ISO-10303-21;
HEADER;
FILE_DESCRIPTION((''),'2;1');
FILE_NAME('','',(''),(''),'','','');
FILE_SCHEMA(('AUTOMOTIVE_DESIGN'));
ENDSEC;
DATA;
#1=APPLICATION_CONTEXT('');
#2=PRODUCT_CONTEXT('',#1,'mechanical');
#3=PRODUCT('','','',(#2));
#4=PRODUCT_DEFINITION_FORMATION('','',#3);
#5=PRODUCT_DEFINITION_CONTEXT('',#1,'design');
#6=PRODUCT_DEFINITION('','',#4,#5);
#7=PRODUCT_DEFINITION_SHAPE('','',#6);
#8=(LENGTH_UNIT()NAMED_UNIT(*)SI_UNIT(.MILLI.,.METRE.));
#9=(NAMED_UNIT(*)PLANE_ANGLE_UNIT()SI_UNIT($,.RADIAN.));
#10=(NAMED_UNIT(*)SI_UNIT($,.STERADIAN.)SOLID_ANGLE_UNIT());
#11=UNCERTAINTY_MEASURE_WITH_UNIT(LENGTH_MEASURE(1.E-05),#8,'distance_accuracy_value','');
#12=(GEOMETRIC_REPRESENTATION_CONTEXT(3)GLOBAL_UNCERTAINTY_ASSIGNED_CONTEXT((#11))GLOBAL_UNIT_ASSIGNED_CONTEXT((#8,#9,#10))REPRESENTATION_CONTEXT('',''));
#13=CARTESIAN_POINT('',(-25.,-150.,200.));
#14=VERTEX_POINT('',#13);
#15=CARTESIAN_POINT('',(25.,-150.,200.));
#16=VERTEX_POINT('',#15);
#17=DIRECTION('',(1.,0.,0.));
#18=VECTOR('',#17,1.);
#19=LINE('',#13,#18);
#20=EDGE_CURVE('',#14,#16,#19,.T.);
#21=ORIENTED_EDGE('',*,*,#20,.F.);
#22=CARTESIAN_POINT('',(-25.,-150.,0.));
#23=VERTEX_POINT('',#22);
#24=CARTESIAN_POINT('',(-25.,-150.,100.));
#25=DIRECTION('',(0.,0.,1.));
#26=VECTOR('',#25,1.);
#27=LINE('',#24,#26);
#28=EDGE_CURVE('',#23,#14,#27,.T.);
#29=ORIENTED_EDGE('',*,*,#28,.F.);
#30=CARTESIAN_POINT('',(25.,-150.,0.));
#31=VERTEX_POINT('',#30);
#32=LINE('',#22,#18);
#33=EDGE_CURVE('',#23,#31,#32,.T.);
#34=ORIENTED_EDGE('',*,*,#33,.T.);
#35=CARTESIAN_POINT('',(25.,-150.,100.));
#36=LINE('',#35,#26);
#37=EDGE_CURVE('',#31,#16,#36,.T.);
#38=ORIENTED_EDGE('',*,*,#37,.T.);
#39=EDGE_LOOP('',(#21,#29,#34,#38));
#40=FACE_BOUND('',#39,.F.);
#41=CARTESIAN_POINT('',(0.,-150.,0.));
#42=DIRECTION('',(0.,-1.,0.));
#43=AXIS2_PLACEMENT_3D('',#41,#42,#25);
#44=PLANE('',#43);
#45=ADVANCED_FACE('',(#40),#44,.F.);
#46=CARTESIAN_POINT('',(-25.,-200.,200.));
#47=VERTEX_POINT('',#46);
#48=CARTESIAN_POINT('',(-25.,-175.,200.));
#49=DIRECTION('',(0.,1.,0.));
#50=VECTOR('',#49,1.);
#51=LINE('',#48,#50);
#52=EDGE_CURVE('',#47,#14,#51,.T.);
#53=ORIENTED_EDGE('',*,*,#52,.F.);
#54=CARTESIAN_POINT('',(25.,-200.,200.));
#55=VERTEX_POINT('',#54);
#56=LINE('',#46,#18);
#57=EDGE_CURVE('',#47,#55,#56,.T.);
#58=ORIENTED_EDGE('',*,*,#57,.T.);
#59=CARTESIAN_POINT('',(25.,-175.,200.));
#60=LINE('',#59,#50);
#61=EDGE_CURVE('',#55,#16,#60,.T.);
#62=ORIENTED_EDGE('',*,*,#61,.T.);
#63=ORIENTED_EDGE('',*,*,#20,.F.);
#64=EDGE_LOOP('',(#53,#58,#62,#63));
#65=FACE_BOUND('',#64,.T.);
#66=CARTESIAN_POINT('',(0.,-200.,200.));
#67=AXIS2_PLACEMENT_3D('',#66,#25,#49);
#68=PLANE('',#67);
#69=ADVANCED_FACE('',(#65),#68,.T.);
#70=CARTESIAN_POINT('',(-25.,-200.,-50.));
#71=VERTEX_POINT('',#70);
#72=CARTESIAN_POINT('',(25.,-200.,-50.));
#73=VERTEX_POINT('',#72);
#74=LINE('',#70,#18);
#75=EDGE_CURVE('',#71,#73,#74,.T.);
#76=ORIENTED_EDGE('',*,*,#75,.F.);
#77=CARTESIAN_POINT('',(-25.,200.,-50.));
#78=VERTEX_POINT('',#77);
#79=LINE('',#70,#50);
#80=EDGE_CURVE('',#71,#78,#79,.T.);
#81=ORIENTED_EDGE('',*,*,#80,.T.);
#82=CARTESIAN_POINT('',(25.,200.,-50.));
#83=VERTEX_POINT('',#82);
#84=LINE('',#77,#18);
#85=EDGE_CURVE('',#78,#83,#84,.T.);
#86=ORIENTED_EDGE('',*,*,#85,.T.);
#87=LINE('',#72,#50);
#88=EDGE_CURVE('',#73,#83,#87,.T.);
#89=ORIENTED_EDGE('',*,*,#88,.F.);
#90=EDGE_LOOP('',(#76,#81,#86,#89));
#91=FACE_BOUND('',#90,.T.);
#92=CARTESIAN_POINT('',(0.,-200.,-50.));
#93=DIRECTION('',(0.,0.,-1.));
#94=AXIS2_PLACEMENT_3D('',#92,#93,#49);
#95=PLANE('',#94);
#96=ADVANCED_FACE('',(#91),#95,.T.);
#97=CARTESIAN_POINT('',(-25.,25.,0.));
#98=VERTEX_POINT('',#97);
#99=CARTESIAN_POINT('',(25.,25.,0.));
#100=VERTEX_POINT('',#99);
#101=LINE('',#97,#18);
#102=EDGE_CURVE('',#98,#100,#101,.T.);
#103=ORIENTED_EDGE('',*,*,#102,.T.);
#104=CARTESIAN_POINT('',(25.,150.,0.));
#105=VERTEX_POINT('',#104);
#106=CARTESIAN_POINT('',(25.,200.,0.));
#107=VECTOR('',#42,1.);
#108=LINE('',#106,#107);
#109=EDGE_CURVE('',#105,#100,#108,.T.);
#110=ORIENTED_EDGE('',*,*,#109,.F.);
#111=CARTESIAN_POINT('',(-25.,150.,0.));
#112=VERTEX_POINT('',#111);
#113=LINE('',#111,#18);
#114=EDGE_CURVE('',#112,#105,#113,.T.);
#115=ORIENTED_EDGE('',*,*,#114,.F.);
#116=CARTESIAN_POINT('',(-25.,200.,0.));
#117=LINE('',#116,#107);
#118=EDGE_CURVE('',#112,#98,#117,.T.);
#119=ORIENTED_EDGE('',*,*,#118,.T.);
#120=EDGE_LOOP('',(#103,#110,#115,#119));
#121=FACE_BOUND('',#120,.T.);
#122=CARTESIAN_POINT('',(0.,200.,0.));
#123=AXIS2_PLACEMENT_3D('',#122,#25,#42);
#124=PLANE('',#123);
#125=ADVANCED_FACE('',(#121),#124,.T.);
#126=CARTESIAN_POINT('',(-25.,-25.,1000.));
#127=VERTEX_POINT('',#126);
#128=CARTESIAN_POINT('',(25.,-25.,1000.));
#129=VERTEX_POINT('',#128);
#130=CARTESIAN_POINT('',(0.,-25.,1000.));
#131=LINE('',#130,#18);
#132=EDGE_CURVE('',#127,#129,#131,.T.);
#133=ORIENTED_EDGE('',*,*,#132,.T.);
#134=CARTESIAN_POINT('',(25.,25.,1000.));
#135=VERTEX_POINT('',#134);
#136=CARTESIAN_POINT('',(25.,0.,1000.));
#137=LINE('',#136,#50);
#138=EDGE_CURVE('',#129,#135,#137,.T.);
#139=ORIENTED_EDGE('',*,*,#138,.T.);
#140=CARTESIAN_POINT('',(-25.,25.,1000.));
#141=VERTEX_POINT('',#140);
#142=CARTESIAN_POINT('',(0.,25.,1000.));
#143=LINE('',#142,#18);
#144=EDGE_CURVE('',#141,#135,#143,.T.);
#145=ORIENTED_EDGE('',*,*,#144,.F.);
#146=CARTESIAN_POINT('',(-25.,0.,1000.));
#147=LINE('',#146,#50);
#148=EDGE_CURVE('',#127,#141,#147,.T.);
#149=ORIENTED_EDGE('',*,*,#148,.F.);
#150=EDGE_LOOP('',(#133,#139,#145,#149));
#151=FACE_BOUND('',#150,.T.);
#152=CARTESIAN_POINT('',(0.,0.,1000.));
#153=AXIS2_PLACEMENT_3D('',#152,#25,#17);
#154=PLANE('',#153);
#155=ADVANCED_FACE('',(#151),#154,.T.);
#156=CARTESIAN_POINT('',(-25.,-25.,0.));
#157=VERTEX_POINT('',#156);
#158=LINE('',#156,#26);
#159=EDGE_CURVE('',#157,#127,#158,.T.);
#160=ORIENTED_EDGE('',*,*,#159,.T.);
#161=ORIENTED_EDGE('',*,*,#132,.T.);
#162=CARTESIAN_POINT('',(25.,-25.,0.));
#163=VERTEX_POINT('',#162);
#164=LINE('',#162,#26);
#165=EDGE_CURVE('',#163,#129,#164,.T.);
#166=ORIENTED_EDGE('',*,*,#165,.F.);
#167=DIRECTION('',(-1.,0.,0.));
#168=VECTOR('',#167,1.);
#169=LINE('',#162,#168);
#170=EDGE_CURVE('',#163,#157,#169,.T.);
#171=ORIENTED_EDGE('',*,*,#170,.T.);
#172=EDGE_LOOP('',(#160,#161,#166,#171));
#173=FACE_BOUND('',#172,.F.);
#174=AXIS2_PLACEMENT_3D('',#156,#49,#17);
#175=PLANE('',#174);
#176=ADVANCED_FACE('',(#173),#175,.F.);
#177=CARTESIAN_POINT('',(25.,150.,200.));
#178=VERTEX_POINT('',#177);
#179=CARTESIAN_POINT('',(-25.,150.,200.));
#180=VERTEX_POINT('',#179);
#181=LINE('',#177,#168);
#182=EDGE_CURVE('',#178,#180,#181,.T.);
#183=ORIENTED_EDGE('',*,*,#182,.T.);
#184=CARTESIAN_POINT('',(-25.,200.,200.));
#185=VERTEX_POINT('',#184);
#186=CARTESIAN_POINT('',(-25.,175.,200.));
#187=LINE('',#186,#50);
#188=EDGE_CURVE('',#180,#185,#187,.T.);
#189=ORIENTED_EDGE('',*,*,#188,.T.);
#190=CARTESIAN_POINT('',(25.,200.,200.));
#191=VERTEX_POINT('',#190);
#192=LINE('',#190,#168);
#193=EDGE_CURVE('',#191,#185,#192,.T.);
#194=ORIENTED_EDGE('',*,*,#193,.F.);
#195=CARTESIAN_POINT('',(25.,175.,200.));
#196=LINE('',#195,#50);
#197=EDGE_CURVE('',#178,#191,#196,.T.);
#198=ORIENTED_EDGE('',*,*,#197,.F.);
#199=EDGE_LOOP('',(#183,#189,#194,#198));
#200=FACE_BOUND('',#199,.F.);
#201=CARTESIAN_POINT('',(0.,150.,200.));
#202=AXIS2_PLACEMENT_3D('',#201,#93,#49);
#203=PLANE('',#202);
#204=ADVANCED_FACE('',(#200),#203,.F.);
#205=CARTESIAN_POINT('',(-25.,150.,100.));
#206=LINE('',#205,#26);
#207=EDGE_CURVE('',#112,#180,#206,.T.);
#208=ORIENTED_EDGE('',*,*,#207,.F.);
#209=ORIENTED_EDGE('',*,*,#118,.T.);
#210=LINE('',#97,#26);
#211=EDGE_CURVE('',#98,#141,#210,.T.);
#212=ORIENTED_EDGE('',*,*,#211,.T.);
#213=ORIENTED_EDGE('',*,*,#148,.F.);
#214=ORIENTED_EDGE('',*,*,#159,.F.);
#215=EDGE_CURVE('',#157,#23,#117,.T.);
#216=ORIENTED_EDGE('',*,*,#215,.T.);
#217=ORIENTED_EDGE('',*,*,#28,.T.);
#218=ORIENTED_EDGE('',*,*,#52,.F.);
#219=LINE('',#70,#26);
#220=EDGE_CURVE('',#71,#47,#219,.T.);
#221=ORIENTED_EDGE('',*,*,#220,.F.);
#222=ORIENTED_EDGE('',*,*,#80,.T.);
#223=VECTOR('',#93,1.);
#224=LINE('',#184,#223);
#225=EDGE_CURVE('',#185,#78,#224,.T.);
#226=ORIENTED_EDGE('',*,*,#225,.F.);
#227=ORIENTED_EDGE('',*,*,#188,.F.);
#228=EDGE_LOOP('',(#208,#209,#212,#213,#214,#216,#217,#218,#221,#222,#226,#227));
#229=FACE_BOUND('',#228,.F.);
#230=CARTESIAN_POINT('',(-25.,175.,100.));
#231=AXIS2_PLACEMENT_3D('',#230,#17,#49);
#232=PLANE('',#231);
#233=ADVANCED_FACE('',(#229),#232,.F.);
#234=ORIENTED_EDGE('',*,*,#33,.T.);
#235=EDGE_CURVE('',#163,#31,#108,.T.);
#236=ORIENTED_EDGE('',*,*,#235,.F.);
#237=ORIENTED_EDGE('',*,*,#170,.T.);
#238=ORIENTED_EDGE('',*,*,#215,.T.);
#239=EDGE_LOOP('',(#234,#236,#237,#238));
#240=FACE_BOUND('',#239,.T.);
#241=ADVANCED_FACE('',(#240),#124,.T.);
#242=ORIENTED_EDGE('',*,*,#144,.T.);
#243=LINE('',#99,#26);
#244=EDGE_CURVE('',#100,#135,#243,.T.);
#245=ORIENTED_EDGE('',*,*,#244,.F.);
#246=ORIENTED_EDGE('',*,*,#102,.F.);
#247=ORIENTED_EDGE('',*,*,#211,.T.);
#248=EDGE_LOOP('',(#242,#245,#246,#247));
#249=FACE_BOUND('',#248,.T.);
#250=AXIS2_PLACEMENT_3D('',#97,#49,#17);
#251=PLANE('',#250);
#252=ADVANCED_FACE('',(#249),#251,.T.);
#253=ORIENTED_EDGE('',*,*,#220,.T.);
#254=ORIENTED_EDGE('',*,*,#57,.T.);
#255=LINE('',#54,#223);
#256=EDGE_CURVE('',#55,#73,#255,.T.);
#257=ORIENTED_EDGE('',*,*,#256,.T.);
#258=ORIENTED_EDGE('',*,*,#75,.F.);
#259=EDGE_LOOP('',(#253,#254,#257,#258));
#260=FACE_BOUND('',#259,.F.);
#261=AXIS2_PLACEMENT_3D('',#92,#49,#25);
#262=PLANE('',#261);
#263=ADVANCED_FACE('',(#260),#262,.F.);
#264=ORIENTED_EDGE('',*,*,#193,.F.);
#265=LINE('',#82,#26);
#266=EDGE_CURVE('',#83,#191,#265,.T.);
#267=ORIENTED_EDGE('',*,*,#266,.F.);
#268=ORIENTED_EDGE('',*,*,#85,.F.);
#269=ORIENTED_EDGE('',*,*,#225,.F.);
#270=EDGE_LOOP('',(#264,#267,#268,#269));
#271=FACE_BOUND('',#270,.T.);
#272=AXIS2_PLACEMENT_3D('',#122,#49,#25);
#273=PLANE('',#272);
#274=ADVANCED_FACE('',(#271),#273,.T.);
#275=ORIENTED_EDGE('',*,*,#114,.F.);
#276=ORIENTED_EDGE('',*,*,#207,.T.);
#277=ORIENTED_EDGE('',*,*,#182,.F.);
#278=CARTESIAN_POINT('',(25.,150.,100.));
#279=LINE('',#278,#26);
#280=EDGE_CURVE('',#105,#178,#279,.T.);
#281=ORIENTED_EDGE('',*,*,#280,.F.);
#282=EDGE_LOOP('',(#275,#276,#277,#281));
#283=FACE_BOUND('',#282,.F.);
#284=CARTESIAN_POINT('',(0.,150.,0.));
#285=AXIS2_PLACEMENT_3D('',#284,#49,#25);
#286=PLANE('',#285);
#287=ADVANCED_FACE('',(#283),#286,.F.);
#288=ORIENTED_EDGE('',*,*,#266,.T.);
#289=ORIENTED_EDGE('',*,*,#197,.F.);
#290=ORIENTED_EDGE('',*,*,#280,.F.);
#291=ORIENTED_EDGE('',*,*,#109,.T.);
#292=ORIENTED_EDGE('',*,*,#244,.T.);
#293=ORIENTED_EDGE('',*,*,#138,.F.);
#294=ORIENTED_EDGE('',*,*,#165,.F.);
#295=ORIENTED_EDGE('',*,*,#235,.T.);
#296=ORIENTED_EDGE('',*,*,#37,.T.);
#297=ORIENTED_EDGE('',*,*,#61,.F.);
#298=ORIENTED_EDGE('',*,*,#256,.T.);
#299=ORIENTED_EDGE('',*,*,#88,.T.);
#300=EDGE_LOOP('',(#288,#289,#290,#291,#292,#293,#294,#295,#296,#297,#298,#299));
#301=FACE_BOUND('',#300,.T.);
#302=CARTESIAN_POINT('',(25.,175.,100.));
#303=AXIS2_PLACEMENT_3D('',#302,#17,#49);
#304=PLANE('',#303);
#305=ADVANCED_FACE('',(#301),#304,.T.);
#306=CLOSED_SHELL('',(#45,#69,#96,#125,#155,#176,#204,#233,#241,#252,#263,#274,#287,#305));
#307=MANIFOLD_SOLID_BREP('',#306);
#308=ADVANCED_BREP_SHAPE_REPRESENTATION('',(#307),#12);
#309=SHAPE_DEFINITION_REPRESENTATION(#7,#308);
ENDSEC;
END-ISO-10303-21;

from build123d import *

# Parameters (mm, degrees)
F0_W          = 50
F0_H          = 50
F1_DEPTH      = 1000
F2_W          = 200
F2_H          = 50
F3_DEPTH      = 25
F3_DEPTH_BACK = 25
F4_W          = 50
F4_H          = 200
F5_DEPTH      = 25
F5_DEPTH_BACK = 25


with BuildPart() as f1:
    # F0 (on Top) → F1 (new body)
    with BuildSketch(Plane.XY):
        Rectangle(F0_W, F0_H)
    extrude(amount=F1_DEPTH)

    # F2 (on Right) → F3 (join, two sides)
    with BuildSketch(Plane.YZ) as f3_sk:
        with Locations((-100, -25)):
            Rectangle(F2_W, F2_H)
        with Locations((100, -25)):
            Rectangle(F2_W, F2_H)
    extrude(amount=F3_DEPTH)
    extrude(f3_sk.sketch, amount=-F3_DEPTH_BACK)

    # F4 (on Right) → F5 (join, two sides)
    with BuildSketch(Plane.YZ) as f5_sk:
        with Locations((175, 100)):
            Rectangle(F4_W, F4_H)
        with Locations((-175, 100)):
            Rectangle(F4_W, F4_H)
    extrude(amount=F5_DEPTH)
    extrude(f5_sk.sketch, amount=-F5_DEPTH_BACK)


solid = f1.part
